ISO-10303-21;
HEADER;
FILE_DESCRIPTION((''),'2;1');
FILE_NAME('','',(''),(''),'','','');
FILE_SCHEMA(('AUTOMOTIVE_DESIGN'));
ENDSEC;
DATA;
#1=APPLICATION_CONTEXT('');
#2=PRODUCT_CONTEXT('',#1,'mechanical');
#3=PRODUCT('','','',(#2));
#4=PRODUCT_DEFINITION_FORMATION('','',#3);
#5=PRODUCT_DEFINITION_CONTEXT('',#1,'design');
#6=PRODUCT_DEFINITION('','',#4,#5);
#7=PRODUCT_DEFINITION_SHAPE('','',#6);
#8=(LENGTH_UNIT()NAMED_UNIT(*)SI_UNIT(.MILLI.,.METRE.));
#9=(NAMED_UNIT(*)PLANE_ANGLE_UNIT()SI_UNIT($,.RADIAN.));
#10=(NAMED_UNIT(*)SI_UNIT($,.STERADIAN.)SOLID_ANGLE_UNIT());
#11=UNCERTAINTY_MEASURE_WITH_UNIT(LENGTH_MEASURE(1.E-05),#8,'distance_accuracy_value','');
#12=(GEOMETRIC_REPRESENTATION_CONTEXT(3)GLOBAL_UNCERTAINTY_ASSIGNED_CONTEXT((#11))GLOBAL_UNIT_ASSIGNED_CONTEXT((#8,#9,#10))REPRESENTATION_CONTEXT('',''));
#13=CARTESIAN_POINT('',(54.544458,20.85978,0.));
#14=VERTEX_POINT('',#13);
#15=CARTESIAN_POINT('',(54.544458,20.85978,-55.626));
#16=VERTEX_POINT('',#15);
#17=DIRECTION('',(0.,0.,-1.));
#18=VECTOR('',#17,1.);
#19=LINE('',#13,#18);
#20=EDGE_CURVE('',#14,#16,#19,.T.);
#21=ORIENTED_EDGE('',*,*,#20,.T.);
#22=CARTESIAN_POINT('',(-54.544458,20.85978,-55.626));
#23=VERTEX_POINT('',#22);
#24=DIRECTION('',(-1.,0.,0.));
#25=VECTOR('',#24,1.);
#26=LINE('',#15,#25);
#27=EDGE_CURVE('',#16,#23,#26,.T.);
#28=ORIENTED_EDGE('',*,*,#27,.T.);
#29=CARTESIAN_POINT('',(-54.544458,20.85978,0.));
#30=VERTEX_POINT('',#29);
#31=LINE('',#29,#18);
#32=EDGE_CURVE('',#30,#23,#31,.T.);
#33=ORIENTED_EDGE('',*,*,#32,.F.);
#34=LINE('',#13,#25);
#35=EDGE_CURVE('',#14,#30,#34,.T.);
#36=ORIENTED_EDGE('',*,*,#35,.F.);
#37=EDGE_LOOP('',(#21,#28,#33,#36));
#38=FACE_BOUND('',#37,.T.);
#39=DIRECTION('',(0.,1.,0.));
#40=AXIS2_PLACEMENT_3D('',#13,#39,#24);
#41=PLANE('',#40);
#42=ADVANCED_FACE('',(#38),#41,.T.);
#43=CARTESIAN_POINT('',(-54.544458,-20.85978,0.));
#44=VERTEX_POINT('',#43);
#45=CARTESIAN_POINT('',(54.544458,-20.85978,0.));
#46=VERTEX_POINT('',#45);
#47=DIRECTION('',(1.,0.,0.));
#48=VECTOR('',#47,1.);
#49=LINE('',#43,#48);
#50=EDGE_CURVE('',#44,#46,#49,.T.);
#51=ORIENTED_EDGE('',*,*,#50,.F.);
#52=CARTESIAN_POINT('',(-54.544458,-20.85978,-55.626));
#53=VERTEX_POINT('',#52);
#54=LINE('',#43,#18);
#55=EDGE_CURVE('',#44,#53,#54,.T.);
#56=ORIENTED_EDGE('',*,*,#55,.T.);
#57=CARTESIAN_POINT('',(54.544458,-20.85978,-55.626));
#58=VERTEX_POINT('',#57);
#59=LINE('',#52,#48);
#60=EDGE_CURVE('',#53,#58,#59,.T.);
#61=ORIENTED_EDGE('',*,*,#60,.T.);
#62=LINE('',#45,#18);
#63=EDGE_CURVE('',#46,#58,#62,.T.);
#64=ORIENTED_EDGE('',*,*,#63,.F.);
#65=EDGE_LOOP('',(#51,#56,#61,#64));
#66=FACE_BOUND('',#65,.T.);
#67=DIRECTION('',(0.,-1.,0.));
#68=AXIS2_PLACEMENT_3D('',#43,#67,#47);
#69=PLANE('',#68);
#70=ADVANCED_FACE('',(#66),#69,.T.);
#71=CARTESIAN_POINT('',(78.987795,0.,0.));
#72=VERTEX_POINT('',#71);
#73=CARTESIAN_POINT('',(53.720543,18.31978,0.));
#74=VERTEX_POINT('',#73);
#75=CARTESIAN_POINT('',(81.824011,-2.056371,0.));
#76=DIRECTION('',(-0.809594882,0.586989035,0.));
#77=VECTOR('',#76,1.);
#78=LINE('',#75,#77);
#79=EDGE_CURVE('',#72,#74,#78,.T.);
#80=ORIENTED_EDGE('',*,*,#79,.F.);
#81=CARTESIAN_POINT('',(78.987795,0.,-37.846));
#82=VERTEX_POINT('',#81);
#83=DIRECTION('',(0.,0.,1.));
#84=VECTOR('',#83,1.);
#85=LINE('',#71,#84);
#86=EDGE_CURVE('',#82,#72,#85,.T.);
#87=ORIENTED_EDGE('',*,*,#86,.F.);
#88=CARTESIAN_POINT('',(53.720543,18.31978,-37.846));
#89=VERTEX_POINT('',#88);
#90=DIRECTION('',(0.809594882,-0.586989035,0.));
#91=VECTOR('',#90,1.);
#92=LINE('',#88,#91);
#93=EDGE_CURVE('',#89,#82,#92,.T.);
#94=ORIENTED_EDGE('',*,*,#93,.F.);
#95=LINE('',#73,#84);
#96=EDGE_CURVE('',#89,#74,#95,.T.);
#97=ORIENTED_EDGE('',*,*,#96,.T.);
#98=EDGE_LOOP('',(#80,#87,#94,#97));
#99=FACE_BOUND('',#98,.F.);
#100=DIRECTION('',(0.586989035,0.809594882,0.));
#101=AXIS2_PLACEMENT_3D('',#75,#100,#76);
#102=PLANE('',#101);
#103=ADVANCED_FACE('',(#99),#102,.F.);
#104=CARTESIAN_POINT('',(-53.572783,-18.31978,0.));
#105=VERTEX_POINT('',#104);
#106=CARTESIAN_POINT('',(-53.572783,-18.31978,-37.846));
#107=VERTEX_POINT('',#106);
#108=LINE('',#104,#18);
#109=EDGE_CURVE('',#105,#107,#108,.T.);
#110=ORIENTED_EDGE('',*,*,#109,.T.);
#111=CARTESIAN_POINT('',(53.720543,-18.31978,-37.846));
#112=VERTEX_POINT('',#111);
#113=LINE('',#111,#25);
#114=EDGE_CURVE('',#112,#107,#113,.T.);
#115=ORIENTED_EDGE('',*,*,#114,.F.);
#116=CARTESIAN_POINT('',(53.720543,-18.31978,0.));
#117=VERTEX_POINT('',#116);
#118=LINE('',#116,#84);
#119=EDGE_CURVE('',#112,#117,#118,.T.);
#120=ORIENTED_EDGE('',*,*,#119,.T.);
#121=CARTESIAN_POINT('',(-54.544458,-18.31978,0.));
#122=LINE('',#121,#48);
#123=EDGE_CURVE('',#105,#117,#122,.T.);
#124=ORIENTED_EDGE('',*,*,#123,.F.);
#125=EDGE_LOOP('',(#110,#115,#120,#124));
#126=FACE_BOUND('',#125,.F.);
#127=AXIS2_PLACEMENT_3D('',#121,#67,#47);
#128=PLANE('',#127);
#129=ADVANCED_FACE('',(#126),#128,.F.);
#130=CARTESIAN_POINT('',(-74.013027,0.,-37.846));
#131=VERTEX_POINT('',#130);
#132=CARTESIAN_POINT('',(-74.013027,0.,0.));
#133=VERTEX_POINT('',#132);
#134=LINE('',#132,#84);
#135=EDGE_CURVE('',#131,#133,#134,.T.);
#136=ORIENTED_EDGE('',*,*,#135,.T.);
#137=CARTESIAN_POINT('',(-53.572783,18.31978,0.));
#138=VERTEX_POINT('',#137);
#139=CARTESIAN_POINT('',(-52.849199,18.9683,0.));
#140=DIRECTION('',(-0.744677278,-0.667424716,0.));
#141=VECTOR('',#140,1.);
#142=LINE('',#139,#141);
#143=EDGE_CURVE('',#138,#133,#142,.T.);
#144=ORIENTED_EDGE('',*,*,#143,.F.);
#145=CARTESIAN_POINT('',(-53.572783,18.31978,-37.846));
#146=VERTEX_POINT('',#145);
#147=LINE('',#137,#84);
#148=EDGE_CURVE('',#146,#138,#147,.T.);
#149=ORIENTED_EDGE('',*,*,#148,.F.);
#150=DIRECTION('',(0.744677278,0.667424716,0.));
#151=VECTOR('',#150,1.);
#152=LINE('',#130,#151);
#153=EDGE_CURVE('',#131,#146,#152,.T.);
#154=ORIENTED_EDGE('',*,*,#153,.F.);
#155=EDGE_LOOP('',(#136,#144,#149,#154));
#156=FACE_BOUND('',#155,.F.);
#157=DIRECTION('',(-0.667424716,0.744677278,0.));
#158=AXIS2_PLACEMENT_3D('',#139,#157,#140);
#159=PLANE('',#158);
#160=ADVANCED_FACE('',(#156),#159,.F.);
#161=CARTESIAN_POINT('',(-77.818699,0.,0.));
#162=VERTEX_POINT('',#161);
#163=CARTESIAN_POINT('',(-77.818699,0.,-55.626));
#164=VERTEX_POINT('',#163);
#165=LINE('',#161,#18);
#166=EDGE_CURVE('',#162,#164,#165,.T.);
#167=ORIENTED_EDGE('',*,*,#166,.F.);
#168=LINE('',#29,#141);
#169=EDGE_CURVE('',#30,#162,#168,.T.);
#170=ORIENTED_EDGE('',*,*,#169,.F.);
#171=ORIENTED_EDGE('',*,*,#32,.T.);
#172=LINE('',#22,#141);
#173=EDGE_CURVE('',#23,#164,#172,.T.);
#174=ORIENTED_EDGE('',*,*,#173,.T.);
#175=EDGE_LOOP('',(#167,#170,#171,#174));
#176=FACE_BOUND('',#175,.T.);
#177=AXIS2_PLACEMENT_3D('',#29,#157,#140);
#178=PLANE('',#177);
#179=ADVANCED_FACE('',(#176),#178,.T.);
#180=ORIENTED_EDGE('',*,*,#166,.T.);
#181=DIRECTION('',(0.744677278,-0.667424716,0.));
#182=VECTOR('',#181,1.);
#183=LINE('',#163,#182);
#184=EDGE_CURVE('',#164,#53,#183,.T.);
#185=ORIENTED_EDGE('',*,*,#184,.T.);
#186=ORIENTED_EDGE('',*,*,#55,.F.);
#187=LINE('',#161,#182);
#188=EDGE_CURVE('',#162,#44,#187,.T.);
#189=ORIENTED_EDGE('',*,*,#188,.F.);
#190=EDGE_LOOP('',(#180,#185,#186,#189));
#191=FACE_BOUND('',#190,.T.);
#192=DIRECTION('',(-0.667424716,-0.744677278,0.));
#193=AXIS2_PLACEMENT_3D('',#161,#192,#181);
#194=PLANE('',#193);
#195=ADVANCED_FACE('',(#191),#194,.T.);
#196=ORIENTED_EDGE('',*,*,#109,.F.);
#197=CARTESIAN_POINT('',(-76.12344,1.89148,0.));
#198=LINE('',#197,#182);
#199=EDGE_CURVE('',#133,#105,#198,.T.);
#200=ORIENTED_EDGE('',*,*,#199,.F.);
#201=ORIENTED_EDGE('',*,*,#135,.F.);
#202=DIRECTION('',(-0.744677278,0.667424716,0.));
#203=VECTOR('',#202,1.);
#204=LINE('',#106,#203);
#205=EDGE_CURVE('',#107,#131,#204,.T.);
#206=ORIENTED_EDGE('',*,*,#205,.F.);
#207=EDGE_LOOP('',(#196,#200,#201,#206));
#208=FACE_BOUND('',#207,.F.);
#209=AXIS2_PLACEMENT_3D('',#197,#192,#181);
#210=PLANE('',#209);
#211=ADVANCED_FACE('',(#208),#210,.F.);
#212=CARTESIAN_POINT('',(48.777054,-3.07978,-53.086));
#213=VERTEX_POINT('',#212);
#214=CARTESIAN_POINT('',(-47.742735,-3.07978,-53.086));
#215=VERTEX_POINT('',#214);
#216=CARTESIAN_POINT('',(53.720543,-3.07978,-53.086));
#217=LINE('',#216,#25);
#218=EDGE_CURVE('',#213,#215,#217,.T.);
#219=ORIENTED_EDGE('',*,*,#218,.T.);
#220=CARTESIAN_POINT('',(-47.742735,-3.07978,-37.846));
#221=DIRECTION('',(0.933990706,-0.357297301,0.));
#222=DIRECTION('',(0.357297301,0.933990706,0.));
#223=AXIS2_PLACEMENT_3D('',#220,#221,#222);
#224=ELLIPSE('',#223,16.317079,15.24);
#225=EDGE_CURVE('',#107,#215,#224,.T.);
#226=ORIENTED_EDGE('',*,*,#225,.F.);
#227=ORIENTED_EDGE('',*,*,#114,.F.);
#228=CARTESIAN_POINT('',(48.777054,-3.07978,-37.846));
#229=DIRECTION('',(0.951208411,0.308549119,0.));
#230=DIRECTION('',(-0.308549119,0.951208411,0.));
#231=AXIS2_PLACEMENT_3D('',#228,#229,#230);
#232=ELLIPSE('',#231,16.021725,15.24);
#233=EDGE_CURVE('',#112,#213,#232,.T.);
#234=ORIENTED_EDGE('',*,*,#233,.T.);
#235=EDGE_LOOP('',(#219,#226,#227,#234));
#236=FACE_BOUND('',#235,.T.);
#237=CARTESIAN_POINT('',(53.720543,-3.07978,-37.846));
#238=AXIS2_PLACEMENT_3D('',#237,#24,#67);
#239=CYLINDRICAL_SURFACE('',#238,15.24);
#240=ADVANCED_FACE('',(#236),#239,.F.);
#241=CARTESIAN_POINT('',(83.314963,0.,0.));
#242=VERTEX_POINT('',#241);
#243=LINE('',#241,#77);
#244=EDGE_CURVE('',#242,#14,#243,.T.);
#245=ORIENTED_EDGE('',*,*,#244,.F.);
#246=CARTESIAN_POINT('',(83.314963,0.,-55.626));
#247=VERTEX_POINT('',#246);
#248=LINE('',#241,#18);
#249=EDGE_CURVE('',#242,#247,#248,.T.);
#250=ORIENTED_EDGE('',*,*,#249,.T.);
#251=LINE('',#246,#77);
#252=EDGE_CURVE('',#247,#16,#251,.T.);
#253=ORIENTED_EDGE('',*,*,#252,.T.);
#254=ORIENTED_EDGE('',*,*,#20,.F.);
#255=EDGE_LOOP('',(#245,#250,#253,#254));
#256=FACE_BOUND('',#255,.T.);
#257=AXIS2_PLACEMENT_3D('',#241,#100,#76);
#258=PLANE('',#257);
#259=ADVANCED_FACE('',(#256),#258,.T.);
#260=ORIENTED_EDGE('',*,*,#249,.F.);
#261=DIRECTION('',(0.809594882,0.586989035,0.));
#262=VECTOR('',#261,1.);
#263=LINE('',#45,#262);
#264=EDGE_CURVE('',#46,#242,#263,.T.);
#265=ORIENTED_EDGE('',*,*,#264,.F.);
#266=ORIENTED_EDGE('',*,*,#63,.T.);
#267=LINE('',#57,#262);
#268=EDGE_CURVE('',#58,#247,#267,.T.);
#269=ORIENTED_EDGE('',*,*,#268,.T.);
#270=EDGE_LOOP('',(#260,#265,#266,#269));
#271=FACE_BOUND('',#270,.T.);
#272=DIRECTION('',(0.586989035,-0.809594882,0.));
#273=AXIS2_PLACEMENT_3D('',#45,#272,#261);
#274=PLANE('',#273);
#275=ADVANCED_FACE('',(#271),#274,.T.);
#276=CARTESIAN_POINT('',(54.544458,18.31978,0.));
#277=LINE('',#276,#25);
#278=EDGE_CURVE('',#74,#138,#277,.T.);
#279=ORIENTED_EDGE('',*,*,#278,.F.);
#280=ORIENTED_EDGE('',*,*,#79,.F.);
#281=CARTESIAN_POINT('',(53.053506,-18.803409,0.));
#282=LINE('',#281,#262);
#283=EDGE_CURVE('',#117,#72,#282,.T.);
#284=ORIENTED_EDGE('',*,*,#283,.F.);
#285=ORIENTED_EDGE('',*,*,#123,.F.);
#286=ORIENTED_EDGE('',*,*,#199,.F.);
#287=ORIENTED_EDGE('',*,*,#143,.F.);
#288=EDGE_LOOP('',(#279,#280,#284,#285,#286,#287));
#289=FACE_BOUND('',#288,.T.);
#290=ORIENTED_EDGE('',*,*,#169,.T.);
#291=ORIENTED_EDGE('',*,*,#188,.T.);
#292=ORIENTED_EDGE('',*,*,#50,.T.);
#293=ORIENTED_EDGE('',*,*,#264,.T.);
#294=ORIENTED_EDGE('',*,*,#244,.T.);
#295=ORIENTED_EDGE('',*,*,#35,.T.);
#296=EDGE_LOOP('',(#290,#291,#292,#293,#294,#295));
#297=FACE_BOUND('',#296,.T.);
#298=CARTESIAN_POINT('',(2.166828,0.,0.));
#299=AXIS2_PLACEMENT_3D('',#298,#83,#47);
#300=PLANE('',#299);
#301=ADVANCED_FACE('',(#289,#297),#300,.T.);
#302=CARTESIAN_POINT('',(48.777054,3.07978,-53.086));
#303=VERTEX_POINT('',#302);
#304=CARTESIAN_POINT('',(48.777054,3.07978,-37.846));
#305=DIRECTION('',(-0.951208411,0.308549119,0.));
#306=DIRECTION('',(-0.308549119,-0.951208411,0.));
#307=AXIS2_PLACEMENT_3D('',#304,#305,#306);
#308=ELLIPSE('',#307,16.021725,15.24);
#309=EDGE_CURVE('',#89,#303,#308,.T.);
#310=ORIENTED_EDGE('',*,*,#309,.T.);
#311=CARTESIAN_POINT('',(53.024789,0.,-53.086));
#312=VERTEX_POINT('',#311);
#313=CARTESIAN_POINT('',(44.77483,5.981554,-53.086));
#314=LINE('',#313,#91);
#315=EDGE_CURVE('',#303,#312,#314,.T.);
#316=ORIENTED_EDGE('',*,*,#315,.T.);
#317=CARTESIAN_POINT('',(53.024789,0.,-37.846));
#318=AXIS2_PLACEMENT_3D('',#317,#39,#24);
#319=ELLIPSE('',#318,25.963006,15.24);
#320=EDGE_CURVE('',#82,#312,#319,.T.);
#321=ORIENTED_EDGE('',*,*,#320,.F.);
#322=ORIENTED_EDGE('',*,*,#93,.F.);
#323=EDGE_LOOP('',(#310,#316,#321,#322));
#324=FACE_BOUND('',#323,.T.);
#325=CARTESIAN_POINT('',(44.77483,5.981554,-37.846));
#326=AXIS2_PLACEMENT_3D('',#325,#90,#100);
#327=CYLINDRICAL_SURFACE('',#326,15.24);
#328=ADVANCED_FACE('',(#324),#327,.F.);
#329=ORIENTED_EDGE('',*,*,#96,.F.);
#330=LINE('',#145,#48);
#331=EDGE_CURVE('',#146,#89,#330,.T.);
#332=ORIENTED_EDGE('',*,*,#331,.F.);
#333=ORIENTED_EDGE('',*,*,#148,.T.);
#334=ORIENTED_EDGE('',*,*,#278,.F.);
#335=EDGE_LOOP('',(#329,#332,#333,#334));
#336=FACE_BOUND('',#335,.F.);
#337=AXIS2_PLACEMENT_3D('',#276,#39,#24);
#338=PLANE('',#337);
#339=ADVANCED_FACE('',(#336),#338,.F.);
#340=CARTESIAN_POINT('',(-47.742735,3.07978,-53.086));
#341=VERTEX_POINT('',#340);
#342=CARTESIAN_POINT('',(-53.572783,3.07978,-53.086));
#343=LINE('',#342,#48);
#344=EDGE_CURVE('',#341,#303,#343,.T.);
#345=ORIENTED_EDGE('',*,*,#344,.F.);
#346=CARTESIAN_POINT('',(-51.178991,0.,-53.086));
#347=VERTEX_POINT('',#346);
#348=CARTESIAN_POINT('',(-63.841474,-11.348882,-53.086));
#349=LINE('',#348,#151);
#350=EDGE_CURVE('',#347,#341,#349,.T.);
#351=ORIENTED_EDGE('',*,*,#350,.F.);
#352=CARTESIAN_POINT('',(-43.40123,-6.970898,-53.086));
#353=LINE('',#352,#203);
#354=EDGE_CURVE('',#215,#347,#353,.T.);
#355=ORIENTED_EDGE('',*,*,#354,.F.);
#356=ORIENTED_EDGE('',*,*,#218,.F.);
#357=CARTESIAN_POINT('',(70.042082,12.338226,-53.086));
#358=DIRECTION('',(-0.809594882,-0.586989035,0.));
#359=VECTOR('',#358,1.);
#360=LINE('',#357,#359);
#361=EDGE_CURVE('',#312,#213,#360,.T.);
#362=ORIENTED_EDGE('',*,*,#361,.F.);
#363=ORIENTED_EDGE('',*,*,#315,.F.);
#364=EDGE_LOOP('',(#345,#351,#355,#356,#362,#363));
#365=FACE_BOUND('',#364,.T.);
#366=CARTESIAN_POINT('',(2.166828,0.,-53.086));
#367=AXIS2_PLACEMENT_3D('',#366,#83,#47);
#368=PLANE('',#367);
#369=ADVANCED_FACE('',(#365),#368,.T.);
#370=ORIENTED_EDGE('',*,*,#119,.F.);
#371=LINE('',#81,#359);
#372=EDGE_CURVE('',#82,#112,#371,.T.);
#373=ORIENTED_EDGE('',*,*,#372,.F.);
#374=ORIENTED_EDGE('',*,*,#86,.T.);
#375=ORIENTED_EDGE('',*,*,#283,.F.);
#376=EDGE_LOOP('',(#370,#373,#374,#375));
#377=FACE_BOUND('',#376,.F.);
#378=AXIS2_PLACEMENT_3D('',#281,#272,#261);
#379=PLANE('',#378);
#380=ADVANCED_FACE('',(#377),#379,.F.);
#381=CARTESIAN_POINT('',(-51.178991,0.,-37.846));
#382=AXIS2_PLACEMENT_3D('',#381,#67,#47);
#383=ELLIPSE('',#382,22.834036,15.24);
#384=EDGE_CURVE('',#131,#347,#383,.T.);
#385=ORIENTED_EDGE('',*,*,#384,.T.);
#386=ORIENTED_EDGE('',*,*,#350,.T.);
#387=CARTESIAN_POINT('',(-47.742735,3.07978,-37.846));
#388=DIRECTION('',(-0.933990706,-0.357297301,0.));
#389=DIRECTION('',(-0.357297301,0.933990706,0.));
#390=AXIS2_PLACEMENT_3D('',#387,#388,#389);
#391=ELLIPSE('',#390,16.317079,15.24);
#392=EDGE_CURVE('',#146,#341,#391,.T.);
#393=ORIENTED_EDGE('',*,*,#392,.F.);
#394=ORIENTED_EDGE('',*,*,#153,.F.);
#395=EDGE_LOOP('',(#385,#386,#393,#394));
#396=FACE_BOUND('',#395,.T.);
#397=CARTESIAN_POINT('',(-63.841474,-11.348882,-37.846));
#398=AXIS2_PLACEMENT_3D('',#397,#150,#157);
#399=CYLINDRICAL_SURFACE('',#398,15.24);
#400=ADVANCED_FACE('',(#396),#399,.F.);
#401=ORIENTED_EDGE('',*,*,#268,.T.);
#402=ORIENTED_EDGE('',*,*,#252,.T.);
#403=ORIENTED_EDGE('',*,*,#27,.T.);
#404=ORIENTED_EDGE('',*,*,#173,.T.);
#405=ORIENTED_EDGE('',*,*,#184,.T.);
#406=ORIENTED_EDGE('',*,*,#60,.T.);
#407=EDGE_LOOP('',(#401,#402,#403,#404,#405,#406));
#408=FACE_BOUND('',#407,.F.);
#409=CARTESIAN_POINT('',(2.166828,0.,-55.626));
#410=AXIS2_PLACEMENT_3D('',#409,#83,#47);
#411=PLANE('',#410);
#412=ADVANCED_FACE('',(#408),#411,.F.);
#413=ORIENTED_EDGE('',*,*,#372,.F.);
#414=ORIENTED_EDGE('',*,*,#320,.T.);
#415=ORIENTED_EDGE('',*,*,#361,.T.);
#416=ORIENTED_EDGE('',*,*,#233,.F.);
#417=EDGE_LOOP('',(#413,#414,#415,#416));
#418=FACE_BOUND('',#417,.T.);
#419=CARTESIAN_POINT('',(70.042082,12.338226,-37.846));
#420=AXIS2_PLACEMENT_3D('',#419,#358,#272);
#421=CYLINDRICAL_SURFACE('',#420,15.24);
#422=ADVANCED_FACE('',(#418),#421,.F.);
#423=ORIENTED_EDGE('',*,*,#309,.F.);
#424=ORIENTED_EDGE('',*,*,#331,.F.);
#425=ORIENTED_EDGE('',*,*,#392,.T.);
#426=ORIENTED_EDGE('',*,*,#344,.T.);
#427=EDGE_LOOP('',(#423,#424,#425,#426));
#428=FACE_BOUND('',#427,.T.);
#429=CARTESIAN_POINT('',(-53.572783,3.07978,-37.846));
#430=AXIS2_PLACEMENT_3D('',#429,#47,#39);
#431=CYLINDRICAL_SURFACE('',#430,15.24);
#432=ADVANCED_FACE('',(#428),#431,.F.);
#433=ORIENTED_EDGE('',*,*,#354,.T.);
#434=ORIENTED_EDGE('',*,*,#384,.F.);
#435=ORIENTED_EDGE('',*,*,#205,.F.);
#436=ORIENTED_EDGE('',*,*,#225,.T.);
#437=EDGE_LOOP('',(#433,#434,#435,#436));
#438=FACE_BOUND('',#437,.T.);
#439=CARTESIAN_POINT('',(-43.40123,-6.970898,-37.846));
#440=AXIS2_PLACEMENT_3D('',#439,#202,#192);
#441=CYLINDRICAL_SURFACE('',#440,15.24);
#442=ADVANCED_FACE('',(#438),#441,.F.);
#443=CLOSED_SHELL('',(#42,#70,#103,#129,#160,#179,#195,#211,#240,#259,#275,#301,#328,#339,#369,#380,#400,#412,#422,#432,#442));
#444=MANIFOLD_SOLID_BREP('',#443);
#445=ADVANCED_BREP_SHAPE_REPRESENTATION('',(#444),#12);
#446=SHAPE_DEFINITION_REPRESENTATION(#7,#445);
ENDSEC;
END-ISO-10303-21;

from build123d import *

# Parameters (mm, degrees)
F1_DEPTH = 55.626
F2_T     = -2.54
F3_R     = 15.24


with BuildPart() as f1:
    # F0 (on Top) → F1 (new body)
    with BuildSketch(Plane.XY):
        Polygon((-54.5444576688, -20.85977979), (54.5444576688, -20.85977979), (83.3149626851, 0), (54.5444576688, 20.85977979), (-54.5444576688, 20.85977979), (-77.8186991811, 0), align=None)
    extrude(amount=-F1_DEPTH)

    # F2
    f2_openings = [f1.faces().sort_by_distance(p)[0] for p in [
        (1.462281, 0, 0),
    ]]
    offset(amount=F2_T, openings=f2_openings)

    # F3
    f3_edges = [f1.edges().sort_by_distance(p)[0] for p in [
        (-63.792905, 9.15989, -53.086),
        (-63.792905, -9.15989, -53.086),
        (0.07388, -18.31978, -53.086),
        (66.354169, -9.15989, -53.086),
        (66.354169, 9.15989, -53.086),
        (0.07388, 18.31978, -53.086),
    ]]
    fillet(f3_edges, radius=F3_R)


solid = f1.part
